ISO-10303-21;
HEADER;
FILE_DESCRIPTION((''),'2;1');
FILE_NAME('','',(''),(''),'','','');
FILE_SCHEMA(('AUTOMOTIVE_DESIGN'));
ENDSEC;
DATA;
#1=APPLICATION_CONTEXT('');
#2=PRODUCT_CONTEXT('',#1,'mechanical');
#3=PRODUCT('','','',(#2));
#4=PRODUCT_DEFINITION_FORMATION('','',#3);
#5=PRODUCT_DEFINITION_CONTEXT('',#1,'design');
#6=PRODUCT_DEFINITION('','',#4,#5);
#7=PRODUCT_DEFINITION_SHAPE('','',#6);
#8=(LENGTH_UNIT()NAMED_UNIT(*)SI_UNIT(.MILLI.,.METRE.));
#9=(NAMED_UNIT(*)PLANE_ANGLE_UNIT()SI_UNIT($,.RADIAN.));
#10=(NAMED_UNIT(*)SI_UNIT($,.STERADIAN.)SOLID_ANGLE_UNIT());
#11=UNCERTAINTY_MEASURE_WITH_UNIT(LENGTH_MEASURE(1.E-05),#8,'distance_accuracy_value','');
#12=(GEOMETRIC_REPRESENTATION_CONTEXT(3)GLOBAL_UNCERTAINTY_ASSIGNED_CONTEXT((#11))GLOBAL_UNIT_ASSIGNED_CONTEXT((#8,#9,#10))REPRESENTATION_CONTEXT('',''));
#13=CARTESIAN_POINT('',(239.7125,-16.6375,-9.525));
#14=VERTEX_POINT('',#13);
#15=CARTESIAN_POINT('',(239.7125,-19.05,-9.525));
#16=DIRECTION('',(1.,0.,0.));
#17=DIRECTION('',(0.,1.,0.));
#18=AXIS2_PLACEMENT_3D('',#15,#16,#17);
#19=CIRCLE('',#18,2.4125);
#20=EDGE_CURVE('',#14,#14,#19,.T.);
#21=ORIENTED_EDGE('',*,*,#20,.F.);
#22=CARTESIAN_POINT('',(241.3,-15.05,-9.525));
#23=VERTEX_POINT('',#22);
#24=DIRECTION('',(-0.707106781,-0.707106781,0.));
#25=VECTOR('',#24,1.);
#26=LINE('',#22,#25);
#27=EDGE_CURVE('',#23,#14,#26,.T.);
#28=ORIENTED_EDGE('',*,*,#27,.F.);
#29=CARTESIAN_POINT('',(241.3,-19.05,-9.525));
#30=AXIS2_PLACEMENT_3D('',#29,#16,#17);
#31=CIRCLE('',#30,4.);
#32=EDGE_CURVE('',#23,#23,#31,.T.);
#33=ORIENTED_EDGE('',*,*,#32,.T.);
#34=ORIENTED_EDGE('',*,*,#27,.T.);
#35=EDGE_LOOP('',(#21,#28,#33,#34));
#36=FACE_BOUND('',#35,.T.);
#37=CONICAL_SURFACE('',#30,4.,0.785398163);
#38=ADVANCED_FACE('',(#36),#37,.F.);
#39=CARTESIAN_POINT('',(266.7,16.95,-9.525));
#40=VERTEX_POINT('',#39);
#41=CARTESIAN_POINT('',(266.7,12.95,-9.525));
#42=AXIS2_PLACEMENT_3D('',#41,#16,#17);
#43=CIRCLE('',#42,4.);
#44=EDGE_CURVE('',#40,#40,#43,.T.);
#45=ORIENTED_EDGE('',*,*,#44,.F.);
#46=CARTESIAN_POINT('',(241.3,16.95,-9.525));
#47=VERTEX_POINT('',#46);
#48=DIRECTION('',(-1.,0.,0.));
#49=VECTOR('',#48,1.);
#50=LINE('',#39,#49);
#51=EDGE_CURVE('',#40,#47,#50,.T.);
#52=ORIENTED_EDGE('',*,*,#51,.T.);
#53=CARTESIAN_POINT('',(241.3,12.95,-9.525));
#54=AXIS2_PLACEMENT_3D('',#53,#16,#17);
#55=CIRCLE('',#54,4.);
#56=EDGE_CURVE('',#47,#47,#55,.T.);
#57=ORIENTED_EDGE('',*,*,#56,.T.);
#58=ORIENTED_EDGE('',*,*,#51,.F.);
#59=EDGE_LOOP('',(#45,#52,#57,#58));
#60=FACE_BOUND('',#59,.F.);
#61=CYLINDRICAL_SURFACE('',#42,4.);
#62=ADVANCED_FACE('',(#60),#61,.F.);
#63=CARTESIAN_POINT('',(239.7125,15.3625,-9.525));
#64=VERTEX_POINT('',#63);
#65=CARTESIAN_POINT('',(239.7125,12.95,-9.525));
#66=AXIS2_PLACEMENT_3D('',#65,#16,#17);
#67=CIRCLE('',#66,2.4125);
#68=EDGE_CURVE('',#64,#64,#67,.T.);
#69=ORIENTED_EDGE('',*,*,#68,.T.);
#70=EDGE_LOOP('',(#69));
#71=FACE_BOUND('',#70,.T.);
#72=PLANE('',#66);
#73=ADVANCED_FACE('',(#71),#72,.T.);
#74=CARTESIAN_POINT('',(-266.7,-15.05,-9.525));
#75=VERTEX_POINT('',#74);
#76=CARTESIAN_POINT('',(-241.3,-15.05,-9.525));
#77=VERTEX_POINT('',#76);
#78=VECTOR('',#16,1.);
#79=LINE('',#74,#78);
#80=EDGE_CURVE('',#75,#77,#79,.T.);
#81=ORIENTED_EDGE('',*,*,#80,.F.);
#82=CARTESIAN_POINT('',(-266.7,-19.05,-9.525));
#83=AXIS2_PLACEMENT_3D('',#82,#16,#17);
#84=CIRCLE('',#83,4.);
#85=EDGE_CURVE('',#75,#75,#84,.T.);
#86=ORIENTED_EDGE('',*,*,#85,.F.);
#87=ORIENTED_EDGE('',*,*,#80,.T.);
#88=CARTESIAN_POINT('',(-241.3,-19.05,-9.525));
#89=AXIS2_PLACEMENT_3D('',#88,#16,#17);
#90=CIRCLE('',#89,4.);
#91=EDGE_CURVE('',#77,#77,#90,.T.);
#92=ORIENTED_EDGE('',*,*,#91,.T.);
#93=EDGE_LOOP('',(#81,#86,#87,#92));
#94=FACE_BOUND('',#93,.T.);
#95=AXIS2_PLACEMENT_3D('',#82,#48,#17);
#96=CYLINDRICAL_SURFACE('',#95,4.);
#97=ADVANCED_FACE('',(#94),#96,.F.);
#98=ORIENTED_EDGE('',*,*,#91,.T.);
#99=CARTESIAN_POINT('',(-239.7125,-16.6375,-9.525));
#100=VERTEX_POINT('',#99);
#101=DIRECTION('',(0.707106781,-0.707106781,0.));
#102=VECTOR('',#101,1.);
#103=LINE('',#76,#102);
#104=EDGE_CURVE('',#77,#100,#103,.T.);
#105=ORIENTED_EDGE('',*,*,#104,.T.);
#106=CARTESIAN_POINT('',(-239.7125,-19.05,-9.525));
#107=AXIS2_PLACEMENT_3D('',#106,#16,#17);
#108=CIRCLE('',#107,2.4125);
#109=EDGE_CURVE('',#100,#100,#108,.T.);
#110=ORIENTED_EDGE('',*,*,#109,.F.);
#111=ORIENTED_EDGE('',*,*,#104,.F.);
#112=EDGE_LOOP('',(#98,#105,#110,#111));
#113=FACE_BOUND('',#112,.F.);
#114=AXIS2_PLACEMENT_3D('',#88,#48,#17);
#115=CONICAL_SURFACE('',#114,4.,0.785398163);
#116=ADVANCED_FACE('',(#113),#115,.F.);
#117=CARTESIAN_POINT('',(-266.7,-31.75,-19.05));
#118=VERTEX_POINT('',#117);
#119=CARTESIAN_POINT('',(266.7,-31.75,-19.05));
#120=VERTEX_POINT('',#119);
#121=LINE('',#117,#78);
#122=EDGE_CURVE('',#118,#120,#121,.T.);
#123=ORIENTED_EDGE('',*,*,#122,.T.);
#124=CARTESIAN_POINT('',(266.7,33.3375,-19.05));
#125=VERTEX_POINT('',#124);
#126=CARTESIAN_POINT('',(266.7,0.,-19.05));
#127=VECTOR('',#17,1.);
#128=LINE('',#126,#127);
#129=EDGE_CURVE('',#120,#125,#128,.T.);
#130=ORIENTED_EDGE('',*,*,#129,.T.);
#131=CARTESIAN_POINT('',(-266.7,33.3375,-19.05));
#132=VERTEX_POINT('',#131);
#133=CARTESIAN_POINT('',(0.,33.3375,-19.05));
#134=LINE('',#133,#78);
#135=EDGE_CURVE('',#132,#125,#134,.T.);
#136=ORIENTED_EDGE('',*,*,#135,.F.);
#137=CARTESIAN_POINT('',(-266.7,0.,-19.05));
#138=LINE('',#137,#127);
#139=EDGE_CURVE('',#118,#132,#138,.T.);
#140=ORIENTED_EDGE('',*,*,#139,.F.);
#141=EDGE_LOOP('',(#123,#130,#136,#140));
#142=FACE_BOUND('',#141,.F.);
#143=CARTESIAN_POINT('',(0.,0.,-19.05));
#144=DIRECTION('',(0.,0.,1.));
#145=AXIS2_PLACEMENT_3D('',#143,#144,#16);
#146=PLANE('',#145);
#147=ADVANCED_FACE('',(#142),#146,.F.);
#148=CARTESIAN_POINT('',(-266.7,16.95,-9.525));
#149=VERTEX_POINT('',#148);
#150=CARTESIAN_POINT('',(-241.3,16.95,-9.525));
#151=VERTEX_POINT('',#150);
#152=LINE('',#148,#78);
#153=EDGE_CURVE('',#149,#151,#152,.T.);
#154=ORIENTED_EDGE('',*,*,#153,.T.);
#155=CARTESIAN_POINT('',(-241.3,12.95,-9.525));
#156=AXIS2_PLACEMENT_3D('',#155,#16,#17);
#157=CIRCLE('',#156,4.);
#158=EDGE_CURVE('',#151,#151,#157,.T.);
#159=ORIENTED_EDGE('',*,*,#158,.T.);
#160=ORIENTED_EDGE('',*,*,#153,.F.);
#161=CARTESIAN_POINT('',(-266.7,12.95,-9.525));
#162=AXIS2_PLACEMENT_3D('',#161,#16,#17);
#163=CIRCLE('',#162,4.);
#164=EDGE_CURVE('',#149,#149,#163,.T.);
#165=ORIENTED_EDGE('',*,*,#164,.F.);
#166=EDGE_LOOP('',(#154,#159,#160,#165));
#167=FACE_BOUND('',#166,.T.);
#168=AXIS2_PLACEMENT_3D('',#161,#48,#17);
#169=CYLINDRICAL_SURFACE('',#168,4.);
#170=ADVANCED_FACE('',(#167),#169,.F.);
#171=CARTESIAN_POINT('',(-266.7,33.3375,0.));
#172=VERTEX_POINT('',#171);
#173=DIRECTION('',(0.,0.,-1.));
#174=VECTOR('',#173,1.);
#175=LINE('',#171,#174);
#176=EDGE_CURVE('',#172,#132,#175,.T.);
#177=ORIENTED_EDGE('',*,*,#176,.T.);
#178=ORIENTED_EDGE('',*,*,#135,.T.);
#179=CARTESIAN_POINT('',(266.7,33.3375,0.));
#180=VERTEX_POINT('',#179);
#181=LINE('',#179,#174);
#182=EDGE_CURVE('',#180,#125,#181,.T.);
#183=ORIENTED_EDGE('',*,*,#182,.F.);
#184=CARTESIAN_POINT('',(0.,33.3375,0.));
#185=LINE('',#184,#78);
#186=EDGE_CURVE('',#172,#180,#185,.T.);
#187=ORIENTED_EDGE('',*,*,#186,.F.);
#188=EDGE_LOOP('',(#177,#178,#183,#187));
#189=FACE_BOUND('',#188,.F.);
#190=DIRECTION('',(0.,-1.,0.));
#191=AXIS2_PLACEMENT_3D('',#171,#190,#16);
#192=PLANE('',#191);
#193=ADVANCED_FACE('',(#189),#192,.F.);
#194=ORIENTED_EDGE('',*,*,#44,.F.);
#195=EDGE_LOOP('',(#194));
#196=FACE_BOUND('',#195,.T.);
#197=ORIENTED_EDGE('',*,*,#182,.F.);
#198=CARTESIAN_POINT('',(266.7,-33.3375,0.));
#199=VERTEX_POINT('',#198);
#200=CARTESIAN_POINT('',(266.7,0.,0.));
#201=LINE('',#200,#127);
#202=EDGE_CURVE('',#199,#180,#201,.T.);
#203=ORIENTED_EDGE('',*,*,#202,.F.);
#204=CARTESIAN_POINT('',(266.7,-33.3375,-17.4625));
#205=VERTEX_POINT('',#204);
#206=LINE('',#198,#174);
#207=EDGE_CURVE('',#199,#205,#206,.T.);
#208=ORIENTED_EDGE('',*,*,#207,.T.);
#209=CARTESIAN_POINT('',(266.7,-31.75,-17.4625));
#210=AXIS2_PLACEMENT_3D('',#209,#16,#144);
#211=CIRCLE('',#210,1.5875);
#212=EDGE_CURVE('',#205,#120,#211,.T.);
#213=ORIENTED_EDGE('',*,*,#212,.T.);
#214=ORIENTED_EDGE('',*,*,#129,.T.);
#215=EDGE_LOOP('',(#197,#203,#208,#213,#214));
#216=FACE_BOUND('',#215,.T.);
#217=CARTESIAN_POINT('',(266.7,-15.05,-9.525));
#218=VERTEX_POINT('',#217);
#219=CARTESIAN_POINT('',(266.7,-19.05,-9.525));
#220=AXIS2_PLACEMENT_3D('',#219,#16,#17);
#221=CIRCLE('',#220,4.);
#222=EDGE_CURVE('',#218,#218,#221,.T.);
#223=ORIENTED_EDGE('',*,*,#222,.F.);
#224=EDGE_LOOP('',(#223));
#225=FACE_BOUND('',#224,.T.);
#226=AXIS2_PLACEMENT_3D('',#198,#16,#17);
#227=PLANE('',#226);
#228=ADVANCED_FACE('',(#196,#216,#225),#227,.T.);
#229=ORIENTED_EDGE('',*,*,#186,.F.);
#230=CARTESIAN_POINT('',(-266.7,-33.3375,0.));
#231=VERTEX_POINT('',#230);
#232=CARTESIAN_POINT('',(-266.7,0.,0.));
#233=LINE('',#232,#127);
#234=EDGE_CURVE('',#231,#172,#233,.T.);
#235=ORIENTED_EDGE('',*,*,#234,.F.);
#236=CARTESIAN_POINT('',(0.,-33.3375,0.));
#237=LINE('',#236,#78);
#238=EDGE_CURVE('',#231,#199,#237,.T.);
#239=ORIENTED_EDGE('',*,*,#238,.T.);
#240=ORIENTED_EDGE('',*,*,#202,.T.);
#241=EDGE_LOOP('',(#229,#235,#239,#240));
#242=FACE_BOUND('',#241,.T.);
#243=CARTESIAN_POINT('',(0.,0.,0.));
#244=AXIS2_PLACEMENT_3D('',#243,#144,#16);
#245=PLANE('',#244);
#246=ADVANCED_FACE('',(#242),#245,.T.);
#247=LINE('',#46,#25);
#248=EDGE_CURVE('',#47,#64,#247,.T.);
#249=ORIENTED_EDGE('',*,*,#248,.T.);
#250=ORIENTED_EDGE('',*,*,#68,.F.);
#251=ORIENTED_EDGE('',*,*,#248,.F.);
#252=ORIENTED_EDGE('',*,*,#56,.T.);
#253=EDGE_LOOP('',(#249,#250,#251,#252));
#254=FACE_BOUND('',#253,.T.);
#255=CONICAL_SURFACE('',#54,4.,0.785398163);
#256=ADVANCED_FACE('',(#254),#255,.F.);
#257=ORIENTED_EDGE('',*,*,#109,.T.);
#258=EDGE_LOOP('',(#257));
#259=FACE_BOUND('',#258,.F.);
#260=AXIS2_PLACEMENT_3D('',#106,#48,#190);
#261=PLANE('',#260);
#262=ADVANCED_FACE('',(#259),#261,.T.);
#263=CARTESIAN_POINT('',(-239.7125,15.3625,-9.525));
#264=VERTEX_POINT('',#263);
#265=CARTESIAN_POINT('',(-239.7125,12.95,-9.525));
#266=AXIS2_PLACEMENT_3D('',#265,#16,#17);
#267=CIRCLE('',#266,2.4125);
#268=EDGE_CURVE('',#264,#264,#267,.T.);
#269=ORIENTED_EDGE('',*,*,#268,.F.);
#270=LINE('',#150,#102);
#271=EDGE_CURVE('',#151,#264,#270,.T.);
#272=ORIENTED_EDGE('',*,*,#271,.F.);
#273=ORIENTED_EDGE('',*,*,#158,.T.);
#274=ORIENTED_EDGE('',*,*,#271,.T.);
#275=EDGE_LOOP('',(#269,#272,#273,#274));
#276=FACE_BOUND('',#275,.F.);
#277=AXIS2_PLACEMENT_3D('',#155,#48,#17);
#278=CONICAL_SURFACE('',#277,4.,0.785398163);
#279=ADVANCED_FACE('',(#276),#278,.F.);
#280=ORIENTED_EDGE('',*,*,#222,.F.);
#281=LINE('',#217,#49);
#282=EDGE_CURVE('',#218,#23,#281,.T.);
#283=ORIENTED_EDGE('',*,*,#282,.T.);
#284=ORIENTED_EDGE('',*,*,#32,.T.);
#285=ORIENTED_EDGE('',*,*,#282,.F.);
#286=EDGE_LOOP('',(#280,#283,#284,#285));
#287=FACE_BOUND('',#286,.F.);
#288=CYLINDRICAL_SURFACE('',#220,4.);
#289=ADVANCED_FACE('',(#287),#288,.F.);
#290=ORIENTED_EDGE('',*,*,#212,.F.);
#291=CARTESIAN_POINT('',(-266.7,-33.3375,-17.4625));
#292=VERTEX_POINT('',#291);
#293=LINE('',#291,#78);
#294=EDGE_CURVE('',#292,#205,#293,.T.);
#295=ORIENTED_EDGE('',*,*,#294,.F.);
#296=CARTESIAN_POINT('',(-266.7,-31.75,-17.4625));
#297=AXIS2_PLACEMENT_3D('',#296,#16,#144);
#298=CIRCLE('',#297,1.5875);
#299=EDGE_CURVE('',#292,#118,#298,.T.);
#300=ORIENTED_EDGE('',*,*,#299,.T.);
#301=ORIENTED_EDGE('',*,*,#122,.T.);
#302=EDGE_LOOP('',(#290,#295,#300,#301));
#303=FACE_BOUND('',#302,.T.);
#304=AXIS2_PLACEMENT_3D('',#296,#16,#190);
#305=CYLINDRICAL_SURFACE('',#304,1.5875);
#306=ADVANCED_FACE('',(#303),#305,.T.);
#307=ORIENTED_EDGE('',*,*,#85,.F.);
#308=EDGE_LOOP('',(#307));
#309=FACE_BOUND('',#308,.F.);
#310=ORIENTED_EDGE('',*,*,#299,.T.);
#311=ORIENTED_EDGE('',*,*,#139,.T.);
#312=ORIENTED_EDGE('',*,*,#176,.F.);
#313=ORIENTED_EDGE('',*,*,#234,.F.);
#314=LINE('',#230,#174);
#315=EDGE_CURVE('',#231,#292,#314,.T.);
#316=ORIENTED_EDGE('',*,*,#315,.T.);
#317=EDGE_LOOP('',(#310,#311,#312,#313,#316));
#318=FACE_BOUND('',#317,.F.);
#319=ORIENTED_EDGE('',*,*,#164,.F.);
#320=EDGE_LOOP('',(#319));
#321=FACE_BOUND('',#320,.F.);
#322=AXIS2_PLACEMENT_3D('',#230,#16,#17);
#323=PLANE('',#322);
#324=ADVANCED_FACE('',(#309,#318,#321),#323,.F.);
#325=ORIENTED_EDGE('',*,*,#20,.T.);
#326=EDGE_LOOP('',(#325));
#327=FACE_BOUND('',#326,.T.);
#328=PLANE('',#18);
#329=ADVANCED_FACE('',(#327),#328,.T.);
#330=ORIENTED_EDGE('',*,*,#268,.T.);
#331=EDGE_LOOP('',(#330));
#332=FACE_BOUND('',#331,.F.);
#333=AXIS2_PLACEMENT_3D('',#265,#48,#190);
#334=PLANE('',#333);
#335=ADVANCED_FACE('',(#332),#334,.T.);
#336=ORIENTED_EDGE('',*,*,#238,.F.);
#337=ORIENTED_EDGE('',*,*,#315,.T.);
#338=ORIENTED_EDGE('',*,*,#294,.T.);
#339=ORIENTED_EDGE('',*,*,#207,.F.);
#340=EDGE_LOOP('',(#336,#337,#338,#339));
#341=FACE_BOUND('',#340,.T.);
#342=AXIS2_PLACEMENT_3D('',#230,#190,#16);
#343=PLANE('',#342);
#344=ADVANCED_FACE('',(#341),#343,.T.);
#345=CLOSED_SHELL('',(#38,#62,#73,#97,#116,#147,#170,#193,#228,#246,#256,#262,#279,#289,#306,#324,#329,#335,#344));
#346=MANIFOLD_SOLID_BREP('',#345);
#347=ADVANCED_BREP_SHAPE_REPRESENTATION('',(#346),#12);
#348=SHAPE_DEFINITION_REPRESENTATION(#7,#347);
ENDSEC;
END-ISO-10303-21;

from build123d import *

# Parameters (mm, degrees)
F0_W     = 533.4
F0_H     = 66.675
F1_DEPTH = 19.05
F3_R     = 4
F4_DEPTH = 26.9875
F5_SIZE  = 1.5875
F10_R    = 1.5875


with BuildPart() as f1:
    # F0 (on Top) → F1 (new body)
    with BuildSketch(Plane.XY):
        Rectangle(F0_W, F0_H)
    extrude(amount=-F1_DEPTH)


with BuildPart() as f4:
    # F3 (on Right) → F4 (new body)
    with BuildSketch(Plane.YZ):
        Circle(F3_R)
    extrude(amount=-F4_DEPTH)

    # F5
    f5_edges = [f4.edges().sort_by_distance(p)[0] for p in [
        (-26.9875, -4, 0),
    ]]
    chamfer(f5_edges, length=F5_SIZE)


with BuildPart() as f6_1:
    # F6: copy of F4
    add(f4.part.moved(Location((266.7, -19.05, -9.525))))


with BuildPart() as f4_1:
    # F7: moved
    add(f4.part.moved(Location((266.7, 12.95, -9.525))))


with BuildPart() as f8_1:
    # F8: instance of F4
    add(f4_1.part.mirror(Plane.YZ))


with BuildPart() as f8_2:
    # F8: instance of F6_1
    add(f6_1.part.mirror(Plane.YZ))


with BuildPart() as f1_1:
    add(f1.part)

    # F9: cut F8_2, F8_1, F6_1, F4
    add(f8_2.part, mode=Mode.SUBTRACT)
    add(f8_1.part, mode=Mode.SUBTRACT)
    add(f6_1.part, mode=Mode.SUBTRACT)
    add(f4_1.part, mode=Mode.SUBTRACT)

    # F10
    f10_edges = [f1_1.edges().sort_by_distance(p)[0] for p in [
        (0, -33.3375, -19.05),
    ]]
    fillet(f10_edges, radius=F10_R)


solid = f1_1.part
